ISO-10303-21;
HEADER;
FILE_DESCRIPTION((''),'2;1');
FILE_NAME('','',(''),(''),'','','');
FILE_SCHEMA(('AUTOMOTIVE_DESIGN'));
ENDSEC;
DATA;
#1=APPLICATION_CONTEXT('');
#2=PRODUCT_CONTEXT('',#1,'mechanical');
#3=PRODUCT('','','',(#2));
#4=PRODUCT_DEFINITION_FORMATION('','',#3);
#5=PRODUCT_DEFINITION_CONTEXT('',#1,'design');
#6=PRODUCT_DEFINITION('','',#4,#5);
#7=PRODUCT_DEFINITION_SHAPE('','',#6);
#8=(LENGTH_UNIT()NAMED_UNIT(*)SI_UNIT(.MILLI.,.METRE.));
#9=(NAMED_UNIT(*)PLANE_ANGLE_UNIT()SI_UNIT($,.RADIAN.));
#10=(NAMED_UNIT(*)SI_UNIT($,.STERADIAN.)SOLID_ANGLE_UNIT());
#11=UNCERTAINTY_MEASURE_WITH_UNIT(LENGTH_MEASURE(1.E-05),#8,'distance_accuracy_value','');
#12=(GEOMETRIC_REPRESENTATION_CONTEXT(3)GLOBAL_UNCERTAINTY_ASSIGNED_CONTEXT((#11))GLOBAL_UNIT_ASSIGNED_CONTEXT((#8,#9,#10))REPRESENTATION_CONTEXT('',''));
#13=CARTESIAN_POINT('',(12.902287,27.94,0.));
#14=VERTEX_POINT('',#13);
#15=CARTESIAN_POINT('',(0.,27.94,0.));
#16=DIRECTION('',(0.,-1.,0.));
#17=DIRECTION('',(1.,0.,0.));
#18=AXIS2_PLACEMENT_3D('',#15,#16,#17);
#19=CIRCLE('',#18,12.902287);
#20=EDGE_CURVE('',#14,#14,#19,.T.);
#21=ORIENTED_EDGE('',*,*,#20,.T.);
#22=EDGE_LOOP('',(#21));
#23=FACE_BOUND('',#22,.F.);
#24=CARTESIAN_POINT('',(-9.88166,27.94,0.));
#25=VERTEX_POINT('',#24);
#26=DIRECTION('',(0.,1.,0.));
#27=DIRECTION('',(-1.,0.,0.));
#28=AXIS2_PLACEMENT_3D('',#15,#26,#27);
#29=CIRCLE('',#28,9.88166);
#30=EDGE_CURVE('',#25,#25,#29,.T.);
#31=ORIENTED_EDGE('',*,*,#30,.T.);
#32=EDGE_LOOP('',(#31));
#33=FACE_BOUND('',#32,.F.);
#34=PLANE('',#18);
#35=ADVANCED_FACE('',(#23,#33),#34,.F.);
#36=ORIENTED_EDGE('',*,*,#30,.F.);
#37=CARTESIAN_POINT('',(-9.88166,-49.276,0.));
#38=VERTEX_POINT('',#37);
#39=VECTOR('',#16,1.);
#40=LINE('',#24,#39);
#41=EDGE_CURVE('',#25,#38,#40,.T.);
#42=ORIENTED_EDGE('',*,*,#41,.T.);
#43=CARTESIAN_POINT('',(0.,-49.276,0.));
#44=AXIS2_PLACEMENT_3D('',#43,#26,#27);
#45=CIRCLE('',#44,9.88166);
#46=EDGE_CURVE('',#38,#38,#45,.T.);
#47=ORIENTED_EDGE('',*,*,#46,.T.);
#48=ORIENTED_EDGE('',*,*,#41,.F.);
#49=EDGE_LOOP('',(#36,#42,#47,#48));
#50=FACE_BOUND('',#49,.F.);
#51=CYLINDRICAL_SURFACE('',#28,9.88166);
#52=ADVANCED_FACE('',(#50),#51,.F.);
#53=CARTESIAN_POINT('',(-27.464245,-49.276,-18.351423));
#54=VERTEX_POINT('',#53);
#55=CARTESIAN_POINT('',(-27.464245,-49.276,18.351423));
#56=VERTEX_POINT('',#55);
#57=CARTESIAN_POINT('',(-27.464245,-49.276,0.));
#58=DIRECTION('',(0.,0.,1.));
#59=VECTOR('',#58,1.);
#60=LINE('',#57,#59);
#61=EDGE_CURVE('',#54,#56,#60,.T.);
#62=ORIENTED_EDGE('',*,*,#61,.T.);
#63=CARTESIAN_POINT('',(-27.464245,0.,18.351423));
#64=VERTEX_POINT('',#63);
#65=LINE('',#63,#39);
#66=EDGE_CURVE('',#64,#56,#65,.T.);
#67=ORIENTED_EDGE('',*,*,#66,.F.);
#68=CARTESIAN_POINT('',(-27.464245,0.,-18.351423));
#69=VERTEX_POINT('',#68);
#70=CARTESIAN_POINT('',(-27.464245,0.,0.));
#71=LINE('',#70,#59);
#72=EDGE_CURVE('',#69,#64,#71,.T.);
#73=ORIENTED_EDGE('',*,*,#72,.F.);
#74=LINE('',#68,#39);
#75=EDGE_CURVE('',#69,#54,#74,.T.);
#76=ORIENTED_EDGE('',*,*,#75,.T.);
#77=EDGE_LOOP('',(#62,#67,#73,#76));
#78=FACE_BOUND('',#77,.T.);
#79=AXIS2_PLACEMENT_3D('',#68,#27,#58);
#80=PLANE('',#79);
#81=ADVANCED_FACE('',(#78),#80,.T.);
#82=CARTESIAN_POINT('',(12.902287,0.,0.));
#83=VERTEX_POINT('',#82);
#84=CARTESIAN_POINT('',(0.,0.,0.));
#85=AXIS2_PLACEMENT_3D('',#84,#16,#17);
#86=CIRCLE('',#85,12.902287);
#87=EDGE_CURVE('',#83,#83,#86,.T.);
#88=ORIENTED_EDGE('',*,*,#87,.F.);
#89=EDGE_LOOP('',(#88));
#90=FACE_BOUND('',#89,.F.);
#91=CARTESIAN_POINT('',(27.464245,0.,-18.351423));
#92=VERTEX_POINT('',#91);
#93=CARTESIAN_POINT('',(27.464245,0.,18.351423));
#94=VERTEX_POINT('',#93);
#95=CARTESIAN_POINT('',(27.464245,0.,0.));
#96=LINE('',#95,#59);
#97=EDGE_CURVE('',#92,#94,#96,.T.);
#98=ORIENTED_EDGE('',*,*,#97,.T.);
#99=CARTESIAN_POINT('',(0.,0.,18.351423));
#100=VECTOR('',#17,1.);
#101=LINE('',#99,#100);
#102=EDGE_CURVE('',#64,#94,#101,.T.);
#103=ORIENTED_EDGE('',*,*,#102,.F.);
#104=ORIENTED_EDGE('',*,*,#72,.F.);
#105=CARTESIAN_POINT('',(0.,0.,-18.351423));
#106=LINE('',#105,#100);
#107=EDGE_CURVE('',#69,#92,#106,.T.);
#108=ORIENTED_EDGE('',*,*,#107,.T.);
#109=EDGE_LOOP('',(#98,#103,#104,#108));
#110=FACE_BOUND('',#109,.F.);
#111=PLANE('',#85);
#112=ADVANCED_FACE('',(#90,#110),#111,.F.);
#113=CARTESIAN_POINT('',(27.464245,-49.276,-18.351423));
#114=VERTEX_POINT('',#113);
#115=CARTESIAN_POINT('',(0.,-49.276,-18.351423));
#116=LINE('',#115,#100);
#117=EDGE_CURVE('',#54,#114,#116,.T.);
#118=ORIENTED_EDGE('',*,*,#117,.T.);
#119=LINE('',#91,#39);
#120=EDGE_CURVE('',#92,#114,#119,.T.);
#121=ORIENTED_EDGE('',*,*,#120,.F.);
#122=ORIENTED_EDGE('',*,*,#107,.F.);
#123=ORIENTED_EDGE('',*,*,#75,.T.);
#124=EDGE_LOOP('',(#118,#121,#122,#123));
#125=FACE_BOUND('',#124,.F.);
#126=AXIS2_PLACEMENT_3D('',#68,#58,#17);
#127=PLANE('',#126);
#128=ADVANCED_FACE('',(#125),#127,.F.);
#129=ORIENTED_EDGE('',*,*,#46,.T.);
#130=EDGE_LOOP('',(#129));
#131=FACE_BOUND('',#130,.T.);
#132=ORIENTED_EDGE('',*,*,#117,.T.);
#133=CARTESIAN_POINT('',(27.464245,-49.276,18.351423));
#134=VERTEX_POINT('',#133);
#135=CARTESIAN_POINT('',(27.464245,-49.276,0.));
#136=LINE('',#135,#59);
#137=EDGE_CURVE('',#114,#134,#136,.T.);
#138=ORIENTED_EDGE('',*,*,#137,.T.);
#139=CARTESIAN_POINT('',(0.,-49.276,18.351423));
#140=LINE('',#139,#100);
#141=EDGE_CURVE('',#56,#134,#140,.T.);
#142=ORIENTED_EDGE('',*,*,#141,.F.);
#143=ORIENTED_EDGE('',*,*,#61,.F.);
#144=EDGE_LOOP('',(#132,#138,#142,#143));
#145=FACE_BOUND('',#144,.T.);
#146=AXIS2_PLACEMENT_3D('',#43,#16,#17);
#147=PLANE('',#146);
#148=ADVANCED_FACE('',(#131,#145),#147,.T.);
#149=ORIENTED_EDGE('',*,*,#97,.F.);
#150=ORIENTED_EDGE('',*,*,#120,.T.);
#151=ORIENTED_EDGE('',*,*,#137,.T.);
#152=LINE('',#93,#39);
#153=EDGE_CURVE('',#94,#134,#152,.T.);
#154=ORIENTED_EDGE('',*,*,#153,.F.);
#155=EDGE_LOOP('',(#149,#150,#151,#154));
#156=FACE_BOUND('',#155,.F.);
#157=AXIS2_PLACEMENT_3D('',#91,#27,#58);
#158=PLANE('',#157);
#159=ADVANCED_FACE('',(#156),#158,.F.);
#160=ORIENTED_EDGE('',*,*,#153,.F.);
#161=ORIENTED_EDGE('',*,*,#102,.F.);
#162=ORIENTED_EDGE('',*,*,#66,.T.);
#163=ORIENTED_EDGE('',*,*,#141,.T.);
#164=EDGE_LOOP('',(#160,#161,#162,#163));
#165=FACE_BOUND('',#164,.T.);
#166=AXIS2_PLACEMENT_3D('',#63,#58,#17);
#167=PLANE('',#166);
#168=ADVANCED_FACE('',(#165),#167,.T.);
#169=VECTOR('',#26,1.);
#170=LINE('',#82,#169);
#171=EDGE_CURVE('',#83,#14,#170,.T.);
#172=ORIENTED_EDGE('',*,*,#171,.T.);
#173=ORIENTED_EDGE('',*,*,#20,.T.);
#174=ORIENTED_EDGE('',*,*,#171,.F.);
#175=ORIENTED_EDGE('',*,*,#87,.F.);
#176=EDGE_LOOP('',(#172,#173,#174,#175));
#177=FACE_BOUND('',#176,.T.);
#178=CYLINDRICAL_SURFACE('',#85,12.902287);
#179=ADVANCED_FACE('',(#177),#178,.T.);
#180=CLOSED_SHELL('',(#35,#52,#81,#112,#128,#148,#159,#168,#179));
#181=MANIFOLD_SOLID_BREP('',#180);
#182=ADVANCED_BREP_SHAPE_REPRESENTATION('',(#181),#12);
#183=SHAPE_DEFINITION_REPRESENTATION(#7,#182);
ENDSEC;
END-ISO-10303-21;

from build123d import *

# Parameters (mm, degrees)
F0_W     = 54.92849
F0_H     = 36.702846
F1_DEPTH = 49.276
F2_R     = 12.902287
F3_DEPTH = 27.94
F4_R     = 9.88166
F5_DEPTH = 92.202


with BuildPart() as f1:
    # F0 (on Front) → F1 (new body)
    with BuildSketch(Plane.XZ):
        Rectangle(F0_W, F0_H)
    extrude(amount=F1_DEPTH)

    # F2 (on Front) → F3 (join)
    with BuildSketch(Plane.XZ):
        Circle(F2_R)
    extrude(amount=-F3_DEPTH)

    # F4 (on face) → F5 (cut)
    with BuildSketch(Plane(origin=(0, 27.94, 0), x_dir=(-1, 0, 0), z_dir=(0, 1, 0))):
        Circle(F4_R)
    extrude(amount=-F5_DEPTH, mode=Mode.SUBTRACT)


solid = f1.part
